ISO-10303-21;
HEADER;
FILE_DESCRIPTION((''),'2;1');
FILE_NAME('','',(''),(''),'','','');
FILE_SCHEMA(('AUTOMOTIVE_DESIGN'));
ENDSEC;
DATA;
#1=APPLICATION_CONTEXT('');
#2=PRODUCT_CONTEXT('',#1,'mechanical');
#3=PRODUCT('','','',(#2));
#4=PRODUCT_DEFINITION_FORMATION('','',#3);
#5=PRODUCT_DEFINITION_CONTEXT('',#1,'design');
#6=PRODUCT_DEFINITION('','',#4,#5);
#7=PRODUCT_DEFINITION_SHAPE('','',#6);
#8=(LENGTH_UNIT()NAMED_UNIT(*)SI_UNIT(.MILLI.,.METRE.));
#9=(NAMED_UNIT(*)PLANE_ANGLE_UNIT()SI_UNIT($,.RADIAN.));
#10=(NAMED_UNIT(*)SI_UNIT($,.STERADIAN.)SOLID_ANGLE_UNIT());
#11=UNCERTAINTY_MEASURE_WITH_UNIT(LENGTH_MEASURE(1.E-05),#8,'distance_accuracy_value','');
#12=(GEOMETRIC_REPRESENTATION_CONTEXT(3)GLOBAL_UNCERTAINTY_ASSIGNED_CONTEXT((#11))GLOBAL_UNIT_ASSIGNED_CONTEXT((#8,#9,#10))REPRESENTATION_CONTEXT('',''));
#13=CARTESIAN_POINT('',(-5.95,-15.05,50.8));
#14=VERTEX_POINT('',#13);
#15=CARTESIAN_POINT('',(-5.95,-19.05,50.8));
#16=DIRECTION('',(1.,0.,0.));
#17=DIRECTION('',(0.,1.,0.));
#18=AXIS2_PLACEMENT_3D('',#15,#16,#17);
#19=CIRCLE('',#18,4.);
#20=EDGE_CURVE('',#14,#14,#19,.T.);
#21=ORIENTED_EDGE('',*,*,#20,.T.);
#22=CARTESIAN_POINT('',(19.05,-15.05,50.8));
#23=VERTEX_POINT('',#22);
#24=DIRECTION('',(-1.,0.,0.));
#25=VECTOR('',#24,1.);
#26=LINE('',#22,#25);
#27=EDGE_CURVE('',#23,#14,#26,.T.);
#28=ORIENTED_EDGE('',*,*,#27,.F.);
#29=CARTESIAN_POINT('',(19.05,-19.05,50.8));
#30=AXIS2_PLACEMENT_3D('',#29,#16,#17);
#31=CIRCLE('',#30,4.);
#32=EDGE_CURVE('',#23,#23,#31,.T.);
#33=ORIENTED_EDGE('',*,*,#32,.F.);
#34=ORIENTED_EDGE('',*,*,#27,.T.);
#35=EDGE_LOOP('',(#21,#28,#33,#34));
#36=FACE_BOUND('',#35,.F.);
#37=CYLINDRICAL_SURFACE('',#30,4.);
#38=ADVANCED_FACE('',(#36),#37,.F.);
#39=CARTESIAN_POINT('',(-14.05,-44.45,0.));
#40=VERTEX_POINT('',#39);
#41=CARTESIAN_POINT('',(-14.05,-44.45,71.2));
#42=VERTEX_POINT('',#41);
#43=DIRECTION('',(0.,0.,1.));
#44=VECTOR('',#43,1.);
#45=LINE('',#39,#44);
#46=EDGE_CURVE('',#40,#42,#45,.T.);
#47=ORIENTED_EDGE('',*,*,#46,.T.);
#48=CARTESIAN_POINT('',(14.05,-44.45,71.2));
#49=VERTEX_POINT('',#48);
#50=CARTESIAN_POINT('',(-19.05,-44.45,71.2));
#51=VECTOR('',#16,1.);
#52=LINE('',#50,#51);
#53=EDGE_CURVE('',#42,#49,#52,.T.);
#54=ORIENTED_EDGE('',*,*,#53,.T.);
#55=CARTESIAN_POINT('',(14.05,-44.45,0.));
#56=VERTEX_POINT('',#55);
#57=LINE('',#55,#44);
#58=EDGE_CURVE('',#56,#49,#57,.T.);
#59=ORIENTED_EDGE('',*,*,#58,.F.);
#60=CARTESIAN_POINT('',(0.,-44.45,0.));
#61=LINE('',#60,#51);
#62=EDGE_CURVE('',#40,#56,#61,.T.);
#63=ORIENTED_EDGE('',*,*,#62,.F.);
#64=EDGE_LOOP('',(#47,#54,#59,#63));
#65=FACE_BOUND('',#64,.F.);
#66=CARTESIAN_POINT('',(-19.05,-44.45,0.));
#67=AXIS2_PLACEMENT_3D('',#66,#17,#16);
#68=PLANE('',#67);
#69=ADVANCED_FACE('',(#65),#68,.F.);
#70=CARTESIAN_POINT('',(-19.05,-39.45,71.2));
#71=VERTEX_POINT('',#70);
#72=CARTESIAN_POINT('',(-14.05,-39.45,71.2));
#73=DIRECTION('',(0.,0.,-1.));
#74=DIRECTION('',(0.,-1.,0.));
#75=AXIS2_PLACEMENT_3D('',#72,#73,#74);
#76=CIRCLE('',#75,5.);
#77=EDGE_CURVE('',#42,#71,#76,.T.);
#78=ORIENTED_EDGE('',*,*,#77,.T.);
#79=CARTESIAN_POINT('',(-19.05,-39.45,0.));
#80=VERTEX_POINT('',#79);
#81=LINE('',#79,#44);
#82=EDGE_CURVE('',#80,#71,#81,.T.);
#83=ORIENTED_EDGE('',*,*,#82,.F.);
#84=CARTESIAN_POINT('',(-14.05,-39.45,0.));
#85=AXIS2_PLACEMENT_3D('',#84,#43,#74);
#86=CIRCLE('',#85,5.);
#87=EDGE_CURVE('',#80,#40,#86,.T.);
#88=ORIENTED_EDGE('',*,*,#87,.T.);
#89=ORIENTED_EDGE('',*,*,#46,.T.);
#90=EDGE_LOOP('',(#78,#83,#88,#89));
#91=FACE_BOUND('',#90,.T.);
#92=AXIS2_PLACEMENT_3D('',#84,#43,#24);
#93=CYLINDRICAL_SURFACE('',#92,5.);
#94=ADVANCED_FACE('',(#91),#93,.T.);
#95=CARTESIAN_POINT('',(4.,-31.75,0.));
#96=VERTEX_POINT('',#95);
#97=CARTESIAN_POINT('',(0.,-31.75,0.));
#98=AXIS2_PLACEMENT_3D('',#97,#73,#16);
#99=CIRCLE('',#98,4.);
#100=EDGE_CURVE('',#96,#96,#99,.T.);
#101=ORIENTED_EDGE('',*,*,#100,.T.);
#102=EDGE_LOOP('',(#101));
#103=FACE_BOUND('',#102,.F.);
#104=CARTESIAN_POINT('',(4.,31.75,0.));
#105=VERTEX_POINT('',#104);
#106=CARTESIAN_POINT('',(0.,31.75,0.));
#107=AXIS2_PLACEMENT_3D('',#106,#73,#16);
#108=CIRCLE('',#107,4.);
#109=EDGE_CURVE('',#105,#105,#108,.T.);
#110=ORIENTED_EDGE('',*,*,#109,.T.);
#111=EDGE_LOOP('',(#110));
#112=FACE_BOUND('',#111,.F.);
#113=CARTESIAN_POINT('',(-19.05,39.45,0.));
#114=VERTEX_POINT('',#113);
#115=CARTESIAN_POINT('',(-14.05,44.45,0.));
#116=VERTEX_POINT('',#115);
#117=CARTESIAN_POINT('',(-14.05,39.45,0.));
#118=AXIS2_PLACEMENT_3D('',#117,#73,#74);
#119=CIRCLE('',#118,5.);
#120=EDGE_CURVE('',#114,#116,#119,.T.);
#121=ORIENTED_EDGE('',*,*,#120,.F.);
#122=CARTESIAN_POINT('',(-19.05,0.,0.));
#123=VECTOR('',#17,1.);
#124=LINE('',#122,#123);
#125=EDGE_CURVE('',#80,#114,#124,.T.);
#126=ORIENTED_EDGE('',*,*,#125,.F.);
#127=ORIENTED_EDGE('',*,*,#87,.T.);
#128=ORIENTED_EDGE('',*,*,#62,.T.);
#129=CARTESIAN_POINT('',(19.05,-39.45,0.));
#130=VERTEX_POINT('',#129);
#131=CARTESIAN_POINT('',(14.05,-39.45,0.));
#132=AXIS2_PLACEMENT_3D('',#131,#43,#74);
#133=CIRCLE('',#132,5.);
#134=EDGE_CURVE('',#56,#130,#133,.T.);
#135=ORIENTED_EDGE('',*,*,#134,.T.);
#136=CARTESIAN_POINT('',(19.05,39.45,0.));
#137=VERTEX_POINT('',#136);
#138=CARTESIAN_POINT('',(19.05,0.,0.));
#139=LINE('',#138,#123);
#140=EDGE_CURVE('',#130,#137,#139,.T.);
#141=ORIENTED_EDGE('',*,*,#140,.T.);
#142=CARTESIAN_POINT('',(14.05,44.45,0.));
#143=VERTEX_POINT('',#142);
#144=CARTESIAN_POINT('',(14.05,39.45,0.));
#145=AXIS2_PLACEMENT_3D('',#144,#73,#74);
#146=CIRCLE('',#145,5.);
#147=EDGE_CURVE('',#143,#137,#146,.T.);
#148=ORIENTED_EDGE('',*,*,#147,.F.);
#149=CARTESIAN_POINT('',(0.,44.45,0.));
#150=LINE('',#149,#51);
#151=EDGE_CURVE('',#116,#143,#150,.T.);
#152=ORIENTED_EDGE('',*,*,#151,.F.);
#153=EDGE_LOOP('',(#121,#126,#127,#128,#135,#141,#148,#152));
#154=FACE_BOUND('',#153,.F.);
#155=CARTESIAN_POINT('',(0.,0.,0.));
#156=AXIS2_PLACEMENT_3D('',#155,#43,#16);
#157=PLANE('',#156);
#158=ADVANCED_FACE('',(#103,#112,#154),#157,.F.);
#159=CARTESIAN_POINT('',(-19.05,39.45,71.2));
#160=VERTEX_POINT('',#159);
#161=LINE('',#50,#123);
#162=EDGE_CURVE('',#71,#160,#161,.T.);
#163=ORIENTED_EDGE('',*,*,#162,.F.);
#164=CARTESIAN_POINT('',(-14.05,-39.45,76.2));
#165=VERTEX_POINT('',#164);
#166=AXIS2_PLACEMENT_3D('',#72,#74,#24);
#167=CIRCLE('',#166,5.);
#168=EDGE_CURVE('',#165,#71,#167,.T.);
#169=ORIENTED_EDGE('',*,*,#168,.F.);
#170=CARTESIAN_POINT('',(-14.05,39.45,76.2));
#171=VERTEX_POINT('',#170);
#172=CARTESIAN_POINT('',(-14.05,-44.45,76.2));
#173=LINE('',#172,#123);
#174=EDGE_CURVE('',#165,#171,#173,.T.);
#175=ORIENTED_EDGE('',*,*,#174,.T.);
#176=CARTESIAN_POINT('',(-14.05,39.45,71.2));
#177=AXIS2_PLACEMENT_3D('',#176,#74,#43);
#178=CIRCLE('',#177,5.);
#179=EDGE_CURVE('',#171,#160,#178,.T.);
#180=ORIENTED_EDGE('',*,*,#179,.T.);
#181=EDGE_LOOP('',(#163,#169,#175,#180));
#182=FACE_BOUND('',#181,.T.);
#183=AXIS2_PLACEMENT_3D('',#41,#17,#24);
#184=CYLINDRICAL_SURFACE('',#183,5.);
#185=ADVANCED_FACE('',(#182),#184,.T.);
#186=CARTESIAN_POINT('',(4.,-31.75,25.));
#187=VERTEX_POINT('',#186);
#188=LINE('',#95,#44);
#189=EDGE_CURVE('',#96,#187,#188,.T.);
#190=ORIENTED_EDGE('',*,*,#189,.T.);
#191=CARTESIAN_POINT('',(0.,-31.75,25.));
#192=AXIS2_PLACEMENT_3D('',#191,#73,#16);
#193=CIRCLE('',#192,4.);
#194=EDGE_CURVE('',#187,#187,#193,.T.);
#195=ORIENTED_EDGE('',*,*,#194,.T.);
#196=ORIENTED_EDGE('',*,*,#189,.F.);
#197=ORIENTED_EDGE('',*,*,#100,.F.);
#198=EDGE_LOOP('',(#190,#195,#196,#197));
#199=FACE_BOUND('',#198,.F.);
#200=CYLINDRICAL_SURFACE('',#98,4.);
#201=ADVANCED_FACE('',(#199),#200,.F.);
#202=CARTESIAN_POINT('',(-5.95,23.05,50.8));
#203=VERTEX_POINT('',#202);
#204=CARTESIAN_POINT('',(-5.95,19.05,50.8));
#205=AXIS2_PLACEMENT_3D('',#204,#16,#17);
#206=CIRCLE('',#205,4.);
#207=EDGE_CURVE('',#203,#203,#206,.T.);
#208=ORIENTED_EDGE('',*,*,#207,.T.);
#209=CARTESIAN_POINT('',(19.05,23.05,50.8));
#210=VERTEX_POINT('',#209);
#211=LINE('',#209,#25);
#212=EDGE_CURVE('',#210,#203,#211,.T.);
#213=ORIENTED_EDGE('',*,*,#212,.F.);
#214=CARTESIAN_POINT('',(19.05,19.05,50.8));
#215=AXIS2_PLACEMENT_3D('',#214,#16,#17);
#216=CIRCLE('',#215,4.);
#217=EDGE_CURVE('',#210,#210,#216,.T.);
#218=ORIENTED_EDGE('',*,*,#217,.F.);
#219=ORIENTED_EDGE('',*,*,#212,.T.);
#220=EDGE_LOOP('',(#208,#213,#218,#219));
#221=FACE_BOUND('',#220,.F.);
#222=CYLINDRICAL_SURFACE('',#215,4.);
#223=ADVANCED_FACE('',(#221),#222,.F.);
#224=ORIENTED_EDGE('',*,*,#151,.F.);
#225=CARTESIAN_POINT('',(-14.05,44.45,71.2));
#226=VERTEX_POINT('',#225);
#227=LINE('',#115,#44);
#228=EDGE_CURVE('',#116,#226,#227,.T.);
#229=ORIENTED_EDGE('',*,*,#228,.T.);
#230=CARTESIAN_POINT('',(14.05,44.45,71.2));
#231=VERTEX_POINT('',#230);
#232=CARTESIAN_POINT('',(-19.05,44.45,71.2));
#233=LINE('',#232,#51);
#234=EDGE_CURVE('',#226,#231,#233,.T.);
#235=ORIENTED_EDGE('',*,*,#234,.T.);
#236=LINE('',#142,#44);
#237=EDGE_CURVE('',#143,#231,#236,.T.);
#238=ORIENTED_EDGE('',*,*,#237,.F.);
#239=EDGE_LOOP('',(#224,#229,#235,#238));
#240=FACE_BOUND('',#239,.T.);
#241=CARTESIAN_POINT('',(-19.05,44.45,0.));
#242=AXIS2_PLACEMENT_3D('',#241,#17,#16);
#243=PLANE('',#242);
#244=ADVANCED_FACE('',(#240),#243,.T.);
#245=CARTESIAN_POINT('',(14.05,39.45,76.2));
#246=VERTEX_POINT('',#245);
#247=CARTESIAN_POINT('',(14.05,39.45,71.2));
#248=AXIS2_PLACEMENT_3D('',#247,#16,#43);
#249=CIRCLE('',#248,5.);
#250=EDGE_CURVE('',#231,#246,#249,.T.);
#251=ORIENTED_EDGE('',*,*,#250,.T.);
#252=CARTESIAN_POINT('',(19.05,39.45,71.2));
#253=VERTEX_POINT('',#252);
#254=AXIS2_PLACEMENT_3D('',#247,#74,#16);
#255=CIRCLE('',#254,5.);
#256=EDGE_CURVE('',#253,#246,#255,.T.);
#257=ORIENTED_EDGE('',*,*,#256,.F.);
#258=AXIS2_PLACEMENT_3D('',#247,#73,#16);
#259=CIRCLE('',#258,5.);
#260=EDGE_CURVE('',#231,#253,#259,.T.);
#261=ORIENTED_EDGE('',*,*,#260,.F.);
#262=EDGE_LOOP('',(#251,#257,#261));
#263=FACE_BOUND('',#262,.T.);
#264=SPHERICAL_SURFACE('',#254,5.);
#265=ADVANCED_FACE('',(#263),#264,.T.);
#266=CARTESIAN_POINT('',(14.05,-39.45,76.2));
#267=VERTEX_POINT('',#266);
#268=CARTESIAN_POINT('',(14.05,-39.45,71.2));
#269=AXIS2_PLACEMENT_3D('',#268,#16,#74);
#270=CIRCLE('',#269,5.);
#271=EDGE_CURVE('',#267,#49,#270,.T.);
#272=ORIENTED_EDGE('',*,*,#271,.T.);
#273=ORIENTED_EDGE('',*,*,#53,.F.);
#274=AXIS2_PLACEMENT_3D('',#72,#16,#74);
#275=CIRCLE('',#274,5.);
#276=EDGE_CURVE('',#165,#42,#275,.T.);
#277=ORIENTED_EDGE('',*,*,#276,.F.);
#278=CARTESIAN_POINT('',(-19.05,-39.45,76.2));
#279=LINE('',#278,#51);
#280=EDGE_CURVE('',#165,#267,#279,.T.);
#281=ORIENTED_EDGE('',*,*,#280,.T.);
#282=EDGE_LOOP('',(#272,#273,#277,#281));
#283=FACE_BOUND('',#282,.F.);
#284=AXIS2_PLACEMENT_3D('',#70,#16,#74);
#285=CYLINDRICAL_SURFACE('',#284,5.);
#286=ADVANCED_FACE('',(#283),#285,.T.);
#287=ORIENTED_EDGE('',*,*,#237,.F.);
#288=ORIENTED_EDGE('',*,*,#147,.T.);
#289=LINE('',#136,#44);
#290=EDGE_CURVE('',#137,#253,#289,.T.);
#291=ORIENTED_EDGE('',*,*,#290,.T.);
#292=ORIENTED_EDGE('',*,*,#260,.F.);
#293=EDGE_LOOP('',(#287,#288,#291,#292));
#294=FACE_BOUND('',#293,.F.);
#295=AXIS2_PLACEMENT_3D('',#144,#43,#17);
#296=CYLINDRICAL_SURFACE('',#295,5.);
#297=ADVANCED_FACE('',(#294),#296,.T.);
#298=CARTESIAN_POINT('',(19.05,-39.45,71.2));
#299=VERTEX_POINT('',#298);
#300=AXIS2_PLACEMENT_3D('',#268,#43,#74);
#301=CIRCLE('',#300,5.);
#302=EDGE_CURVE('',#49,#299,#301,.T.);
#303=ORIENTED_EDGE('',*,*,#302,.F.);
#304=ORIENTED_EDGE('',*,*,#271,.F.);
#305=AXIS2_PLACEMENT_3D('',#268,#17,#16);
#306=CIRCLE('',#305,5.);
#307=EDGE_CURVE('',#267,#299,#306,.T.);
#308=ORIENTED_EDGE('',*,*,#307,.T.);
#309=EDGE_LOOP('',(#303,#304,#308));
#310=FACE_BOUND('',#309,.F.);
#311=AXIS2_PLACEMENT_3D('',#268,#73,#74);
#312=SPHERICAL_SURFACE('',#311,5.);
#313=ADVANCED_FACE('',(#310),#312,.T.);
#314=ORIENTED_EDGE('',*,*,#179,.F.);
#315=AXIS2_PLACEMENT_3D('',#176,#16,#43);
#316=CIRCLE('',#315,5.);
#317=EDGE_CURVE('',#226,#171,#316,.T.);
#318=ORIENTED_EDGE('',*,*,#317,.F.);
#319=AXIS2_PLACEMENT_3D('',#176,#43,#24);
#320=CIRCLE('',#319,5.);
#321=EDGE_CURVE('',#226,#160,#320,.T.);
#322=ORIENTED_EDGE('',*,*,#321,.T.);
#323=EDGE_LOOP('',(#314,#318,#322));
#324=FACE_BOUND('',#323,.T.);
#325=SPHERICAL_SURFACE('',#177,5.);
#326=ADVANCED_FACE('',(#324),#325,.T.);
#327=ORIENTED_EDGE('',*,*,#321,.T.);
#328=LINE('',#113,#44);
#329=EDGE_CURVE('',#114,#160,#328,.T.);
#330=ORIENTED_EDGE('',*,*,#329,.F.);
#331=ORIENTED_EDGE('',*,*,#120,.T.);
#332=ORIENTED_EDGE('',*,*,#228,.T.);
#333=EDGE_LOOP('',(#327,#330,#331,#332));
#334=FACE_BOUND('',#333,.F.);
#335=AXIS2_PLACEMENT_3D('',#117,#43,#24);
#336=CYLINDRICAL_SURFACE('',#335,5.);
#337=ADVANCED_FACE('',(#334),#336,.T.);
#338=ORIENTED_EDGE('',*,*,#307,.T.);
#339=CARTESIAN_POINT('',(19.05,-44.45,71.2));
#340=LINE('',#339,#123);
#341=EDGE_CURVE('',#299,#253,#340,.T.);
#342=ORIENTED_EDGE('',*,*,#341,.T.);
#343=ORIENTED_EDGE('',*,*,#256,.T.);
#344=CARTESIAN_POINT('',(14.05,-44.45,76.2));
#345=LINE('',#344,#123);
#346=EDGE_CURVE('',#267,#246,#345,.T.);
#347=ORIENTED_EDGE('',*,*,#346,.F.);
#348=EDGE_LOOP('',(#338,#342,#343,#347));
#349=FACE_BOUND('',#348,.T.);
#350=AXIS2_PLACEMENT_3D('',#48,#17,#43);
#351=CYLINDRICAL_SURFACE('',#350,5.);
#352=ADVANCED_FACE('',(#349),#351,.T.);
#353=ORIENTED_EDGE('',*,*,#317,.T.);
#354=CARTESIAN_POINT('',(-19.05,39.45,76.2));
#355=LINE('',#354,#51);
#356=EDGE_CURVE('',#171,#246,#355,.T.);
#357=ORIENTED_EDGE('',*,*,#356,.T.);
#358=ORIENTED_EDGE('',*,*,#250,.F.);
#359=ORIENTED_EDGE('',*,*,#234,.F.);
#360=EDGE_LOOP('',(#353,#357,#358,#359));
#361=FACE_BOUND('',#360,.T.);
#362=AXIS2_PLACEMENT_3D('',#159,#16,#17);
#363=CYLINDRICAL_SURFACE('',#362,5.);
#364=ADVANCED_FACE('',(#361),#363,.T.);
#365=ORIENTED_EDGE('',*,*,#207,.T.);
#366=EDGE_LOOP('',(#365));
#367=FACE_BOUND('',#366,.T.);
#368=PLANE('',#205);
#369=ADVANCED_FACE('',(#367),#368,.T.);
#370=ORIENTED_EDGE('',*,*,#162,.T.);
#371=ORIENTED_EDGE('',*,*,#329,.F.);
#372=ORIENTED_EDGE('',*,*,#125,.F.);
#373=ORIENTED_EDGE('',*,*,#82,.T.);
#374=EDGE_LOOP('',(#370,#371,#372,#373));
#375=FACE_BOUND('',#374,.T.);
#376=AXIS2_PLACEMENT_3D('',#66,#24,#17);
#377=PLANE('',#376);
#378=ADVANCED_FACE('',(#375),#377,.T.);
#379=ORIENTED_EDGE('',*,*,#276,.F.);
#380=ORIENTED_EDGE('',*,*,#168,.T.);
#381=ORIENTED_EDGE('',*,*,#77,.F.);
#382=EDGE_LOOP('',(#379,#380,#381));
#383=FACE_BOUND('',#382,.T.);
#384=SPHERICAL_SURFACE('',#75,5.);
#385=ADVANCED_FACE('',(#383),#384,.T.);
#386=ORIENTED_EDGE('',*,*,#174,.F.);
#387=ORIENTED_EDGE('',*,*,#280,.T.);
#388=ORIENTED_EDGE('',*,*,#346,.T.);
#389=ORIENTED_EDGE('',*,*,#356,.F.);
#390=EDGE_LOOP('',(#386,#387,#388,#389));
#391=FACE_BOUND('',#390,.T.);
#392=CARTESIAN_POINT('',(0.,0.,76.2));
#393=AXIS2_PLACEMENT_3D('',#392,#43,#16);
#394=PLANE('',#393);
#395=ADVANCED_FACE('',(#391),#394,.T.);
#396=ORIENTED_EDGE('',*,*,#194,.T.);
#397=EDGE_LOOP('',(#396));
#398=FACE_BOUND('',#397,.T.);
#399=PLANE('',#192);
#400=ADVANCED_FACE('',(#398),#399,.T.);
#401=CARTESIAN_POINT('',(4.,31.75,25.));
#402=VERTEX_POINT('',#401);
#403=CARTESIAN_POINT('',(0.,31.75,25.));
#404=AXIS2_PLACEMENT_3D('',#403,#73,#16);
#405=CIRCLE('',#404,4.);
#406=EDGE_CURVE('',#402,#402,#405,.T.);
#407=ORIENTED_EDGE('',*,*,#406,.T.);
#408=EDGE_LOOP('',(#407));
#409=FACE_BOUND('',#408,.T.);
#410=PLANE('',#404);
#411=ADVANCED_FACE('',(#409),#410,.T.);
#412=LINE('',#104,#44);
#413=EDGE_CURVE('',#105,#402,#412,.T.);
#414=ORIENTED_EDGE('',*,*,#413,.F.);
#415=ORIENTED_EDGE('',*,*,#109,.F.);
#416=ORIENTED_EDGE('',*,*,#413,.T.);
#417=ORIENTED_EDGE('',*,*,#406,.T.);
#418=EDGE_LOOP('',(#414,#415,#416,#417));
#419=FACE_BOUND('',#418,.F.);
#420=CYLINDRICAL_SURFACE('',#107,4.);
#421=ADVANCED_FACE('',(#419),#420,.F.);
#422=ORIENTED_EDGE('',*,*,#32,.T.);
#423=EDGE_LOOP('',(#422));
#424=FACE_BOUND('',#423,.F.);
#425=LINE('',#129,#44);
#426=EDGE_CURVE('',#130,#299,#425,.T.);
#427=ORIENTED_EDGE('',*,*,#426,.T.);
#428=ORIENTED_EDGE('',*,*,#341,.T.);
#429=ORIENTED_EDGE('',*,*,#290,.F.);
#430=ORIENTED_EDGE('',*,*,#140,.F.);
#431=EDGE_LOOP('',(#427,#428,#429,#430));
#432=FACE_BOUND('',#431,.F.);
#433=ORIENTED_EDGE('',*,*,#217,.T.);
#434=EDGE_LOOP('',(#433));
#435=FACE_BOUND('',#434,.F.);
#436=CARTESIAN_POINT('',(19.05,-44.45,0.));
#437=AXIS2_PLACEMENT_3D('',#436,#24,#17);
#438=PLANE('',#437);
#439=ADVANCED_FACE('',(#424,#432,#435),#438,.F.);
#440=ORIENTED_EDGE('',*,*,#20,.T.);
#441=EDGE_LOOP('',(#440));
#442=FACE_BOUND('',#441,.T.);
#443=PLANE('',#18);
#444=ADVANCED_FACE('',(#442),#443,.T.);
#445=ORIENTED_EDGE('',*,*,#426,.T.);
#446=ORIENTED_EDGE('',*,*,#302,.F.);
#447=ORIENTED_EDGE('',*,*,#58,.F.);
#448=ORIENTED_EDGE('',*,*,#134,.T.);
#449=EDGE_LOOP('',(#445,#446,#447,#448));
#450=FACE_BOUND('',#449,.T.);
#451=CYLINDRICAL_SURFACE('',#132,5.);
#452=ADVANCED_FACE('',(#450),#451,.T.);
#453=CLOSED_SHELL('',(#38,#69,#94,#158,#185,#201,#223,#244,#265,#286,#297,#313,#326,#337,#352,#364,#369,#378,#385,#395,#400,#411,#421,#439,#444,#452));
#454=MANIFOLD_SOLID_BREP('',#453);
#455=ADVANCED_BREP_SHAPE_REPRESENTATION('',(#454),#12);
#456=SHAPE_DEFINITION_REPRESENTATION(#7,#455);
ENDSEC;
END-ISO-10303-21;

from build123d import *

# Parameters (mm, degrees)
F0_W     = 38.1
F0_H     = 88.9
F1_DEPTH = 76.2
F2_R     = 4
F3_DEPTH = 25
F4_R     = 4
F5_DEPTH = 25
F6_R     = 5


with BuildPart() as f1:
    # F0 (on Top) → F1 (new body)
    with BuildSketch(Plane.XY):
        Rectangle(F0_W, F0_H)
    extrude(amount=F1_DEPTH)

    # F2 (on face) → F3 (cut)
    with BuildSketch(Plane(origin=(0, 0, 0), x_dir=(1, 0, 0), z_dir=(0, 0, -1))):
        with Locations((0, 31.75)):
            Circle(F2_R)
        with Locations((0, -31.75)):
            Circle(F2_R)
    extrude(amount=-F3_DEPTH, mode=Mode.SUBTRACT)

    # F4 (on face) → F5 (cut)
    with BuildSketch(Plane.YZ.offset(19.05)):
        with Locations((-19.05, 50.8)):
            Circle(F4_R)
        with Locations((19.05, 50.8)):
            Circle(F4_R)
    extrude(amount=-F5_DEPTH, mode=Mode.SUBTRACT)

    # F6
    f6_edges = [f1.edges().sort_by_distance(p)[0] for p in [
        (-19.05, -44.45, 38.1),
        (19.05, -44.45, 38.1),
        (0, -44.45, 76.2),
        (-19.05, 0, 76.2),
        (19.05, 0, 76.2),
        (19.05, 44.45, 38.1),
        (0, 44.45, 76.2),
        (-19.05, 44.45, 38.1),
    ]]
    fillet(f6_edges, radius=F6_R)


solid = f1.part
